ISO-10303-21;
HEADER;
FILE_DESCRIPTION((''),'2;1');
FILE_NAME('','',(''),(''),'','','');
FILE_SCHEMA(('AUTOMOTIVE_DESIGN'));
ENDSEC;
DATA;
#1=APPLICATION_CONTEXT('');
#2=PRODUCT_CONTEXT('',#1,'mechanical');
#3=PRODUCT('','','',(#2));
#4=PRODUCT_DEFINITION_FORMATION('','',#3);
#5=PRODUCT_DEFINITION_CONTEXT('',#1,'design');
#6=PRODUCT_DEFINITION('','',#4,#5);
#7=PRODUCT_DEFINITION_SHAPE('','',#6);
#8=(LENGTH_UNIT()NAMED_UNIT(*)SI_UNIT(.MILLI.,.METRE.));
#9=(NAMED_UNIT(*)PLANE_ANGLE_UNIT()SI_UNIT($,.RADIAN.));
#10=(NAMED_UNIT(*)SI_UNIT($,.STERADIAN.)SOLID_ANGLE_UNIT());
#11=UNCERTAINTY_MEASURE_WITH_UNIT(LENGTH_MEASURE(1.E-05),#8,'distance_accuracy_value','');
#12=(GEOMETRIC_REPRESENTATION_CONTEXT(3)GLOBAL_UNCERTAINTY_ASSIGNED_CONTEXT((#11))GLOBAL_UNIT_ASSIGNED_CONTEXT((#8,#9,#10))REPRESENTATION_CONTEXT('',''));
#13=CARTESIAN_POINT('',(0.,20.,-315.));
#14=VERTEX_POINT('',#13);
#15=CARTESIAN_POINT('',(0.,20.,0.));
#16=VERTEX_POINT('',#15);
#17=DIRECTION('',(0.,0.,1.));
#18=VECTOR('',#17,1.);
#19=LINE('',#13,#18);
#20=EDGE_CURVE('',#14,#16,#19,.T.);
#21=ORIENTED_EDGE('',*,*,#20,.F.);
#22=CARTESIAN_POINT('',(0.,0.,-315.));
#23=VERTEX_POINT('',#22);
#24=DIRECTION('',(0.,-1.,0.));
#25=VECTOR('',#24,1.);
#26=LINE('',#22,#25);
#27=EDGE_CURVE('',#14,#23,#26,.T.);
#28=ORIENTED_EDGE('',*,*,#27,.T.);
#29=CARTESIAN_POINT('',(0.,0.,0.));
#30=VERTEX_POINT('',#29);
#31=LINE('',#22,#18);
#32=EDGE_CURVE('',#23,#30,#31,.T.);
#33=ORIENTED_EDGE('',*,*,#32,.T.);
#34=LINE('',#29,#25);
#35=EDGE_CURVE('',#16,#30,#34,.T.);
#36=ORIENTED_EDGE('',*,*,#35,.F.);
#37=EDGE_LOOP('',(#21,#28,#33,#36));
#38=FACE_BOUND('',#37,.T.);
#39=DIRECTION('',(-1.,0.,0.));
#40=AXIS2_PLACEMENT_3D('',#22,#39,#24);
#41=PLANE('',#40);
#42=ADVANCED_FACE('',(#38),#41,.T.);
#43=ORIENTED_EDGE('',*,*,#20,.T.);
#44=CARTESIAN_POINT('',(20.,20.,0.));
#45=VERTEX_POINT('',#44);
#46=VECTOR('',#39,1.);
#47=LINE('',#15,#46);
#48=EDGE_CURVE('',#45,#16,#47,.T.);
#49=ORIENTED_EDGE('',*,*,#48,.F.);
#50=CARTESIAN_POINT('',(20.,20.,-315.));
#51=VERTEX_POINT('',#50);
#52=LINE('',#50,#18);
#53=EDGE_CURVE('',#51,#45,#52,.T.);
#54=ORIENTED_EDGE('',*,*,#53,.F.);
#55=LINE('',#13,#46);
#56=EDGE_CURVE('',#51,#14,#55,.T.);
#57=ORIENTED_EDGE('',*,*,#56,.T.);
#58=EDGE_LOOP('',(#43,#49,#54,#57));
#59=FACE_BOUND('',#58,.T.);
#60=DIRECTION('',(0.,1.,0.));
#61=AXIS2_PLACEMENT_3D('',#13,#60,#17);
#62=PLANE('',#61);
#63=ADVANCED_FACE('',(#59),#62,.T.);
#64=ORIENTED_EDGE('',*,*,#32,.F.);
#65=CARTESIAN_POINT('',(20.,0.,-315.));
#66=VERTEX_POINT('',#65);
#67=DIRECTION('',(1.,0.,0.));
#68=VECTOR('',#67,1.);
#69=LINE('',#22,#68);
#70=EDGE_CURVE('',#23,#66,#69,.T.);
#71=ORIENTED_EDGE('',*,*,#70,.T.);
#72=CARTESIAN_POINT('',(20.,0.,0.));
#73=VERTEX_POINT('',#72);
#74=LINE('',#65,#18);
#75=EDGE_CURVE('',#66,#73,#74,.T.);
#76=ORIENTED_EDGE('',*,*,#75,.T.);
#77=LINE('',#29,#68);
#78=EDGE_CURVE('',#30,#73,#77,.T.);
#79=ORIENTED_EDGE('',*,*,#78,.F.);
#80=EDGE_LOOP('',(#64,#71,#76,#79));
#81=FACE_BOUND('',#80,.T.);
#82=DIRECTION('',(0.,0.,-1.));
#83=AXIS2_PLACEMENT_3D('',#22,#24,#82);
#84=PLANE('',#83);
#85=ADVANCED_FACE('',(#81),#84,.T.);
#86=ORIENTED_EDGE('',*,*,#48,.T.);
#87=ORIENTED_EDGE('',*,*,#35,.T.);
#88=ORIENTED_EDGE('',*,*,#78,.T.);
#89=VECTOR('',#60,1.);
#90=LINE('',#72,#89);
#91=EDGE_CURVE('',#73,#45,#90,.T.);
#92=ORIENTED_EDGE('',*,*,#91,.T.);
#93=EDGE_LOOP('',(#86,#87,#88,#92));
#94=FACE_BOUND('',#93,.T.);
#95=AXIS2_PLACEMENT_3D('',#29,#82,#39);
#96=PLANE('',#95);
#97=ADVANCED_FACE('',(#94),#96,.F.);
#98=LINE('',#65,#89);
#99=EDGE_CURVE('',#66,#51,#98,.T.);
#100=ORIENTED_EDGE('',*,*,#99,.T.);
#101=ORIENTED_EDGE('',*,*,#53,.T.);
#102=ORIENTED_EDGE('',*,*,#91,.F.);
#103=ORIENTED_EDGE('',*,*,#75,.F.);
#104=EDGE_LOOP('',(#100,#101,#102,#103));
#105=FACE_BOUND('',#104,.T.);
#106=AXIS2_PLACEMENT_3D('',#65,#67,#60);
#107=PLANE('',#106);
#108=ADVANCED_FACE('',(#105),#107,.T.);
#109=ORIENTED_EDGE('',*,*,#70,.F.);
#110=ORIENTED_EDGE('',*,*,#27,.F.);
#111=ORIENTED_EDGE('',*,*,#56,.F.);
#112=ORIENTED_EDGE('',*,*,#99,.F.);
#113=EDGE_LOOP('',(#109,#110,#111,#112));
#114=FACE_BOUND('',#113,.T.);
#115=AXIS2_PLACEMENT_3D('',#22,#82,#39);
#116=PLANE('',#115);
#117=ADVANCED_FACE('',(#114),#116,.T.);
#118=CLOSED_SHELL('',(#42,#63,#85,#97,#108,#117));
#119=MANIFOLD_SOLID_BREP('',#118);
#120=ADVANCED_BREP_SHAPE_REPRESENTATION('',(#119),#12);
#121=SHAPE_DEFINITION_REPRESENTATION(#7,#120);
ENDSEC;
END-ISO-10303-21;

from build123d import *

# Parameters (mm, degrees)
SZKIC1_W                    = 20
SZKIC1_H                    = 20
DODANIE_WYCI_GNI_CIE1_DEPTH = 315


with BuildPart() as part:
    # Szkic1 → Dodanie-wyciągnięcie1 (new body)
    with BuildSketch(Plane.XY):
        with Locations((10, 10)):
            Rectangle(SZKIC1_W, SZKIC1_H)
    extrude(amount=-DODANIE_WYCI_GNI_CIE1_DEPTH)


solid = part.part
